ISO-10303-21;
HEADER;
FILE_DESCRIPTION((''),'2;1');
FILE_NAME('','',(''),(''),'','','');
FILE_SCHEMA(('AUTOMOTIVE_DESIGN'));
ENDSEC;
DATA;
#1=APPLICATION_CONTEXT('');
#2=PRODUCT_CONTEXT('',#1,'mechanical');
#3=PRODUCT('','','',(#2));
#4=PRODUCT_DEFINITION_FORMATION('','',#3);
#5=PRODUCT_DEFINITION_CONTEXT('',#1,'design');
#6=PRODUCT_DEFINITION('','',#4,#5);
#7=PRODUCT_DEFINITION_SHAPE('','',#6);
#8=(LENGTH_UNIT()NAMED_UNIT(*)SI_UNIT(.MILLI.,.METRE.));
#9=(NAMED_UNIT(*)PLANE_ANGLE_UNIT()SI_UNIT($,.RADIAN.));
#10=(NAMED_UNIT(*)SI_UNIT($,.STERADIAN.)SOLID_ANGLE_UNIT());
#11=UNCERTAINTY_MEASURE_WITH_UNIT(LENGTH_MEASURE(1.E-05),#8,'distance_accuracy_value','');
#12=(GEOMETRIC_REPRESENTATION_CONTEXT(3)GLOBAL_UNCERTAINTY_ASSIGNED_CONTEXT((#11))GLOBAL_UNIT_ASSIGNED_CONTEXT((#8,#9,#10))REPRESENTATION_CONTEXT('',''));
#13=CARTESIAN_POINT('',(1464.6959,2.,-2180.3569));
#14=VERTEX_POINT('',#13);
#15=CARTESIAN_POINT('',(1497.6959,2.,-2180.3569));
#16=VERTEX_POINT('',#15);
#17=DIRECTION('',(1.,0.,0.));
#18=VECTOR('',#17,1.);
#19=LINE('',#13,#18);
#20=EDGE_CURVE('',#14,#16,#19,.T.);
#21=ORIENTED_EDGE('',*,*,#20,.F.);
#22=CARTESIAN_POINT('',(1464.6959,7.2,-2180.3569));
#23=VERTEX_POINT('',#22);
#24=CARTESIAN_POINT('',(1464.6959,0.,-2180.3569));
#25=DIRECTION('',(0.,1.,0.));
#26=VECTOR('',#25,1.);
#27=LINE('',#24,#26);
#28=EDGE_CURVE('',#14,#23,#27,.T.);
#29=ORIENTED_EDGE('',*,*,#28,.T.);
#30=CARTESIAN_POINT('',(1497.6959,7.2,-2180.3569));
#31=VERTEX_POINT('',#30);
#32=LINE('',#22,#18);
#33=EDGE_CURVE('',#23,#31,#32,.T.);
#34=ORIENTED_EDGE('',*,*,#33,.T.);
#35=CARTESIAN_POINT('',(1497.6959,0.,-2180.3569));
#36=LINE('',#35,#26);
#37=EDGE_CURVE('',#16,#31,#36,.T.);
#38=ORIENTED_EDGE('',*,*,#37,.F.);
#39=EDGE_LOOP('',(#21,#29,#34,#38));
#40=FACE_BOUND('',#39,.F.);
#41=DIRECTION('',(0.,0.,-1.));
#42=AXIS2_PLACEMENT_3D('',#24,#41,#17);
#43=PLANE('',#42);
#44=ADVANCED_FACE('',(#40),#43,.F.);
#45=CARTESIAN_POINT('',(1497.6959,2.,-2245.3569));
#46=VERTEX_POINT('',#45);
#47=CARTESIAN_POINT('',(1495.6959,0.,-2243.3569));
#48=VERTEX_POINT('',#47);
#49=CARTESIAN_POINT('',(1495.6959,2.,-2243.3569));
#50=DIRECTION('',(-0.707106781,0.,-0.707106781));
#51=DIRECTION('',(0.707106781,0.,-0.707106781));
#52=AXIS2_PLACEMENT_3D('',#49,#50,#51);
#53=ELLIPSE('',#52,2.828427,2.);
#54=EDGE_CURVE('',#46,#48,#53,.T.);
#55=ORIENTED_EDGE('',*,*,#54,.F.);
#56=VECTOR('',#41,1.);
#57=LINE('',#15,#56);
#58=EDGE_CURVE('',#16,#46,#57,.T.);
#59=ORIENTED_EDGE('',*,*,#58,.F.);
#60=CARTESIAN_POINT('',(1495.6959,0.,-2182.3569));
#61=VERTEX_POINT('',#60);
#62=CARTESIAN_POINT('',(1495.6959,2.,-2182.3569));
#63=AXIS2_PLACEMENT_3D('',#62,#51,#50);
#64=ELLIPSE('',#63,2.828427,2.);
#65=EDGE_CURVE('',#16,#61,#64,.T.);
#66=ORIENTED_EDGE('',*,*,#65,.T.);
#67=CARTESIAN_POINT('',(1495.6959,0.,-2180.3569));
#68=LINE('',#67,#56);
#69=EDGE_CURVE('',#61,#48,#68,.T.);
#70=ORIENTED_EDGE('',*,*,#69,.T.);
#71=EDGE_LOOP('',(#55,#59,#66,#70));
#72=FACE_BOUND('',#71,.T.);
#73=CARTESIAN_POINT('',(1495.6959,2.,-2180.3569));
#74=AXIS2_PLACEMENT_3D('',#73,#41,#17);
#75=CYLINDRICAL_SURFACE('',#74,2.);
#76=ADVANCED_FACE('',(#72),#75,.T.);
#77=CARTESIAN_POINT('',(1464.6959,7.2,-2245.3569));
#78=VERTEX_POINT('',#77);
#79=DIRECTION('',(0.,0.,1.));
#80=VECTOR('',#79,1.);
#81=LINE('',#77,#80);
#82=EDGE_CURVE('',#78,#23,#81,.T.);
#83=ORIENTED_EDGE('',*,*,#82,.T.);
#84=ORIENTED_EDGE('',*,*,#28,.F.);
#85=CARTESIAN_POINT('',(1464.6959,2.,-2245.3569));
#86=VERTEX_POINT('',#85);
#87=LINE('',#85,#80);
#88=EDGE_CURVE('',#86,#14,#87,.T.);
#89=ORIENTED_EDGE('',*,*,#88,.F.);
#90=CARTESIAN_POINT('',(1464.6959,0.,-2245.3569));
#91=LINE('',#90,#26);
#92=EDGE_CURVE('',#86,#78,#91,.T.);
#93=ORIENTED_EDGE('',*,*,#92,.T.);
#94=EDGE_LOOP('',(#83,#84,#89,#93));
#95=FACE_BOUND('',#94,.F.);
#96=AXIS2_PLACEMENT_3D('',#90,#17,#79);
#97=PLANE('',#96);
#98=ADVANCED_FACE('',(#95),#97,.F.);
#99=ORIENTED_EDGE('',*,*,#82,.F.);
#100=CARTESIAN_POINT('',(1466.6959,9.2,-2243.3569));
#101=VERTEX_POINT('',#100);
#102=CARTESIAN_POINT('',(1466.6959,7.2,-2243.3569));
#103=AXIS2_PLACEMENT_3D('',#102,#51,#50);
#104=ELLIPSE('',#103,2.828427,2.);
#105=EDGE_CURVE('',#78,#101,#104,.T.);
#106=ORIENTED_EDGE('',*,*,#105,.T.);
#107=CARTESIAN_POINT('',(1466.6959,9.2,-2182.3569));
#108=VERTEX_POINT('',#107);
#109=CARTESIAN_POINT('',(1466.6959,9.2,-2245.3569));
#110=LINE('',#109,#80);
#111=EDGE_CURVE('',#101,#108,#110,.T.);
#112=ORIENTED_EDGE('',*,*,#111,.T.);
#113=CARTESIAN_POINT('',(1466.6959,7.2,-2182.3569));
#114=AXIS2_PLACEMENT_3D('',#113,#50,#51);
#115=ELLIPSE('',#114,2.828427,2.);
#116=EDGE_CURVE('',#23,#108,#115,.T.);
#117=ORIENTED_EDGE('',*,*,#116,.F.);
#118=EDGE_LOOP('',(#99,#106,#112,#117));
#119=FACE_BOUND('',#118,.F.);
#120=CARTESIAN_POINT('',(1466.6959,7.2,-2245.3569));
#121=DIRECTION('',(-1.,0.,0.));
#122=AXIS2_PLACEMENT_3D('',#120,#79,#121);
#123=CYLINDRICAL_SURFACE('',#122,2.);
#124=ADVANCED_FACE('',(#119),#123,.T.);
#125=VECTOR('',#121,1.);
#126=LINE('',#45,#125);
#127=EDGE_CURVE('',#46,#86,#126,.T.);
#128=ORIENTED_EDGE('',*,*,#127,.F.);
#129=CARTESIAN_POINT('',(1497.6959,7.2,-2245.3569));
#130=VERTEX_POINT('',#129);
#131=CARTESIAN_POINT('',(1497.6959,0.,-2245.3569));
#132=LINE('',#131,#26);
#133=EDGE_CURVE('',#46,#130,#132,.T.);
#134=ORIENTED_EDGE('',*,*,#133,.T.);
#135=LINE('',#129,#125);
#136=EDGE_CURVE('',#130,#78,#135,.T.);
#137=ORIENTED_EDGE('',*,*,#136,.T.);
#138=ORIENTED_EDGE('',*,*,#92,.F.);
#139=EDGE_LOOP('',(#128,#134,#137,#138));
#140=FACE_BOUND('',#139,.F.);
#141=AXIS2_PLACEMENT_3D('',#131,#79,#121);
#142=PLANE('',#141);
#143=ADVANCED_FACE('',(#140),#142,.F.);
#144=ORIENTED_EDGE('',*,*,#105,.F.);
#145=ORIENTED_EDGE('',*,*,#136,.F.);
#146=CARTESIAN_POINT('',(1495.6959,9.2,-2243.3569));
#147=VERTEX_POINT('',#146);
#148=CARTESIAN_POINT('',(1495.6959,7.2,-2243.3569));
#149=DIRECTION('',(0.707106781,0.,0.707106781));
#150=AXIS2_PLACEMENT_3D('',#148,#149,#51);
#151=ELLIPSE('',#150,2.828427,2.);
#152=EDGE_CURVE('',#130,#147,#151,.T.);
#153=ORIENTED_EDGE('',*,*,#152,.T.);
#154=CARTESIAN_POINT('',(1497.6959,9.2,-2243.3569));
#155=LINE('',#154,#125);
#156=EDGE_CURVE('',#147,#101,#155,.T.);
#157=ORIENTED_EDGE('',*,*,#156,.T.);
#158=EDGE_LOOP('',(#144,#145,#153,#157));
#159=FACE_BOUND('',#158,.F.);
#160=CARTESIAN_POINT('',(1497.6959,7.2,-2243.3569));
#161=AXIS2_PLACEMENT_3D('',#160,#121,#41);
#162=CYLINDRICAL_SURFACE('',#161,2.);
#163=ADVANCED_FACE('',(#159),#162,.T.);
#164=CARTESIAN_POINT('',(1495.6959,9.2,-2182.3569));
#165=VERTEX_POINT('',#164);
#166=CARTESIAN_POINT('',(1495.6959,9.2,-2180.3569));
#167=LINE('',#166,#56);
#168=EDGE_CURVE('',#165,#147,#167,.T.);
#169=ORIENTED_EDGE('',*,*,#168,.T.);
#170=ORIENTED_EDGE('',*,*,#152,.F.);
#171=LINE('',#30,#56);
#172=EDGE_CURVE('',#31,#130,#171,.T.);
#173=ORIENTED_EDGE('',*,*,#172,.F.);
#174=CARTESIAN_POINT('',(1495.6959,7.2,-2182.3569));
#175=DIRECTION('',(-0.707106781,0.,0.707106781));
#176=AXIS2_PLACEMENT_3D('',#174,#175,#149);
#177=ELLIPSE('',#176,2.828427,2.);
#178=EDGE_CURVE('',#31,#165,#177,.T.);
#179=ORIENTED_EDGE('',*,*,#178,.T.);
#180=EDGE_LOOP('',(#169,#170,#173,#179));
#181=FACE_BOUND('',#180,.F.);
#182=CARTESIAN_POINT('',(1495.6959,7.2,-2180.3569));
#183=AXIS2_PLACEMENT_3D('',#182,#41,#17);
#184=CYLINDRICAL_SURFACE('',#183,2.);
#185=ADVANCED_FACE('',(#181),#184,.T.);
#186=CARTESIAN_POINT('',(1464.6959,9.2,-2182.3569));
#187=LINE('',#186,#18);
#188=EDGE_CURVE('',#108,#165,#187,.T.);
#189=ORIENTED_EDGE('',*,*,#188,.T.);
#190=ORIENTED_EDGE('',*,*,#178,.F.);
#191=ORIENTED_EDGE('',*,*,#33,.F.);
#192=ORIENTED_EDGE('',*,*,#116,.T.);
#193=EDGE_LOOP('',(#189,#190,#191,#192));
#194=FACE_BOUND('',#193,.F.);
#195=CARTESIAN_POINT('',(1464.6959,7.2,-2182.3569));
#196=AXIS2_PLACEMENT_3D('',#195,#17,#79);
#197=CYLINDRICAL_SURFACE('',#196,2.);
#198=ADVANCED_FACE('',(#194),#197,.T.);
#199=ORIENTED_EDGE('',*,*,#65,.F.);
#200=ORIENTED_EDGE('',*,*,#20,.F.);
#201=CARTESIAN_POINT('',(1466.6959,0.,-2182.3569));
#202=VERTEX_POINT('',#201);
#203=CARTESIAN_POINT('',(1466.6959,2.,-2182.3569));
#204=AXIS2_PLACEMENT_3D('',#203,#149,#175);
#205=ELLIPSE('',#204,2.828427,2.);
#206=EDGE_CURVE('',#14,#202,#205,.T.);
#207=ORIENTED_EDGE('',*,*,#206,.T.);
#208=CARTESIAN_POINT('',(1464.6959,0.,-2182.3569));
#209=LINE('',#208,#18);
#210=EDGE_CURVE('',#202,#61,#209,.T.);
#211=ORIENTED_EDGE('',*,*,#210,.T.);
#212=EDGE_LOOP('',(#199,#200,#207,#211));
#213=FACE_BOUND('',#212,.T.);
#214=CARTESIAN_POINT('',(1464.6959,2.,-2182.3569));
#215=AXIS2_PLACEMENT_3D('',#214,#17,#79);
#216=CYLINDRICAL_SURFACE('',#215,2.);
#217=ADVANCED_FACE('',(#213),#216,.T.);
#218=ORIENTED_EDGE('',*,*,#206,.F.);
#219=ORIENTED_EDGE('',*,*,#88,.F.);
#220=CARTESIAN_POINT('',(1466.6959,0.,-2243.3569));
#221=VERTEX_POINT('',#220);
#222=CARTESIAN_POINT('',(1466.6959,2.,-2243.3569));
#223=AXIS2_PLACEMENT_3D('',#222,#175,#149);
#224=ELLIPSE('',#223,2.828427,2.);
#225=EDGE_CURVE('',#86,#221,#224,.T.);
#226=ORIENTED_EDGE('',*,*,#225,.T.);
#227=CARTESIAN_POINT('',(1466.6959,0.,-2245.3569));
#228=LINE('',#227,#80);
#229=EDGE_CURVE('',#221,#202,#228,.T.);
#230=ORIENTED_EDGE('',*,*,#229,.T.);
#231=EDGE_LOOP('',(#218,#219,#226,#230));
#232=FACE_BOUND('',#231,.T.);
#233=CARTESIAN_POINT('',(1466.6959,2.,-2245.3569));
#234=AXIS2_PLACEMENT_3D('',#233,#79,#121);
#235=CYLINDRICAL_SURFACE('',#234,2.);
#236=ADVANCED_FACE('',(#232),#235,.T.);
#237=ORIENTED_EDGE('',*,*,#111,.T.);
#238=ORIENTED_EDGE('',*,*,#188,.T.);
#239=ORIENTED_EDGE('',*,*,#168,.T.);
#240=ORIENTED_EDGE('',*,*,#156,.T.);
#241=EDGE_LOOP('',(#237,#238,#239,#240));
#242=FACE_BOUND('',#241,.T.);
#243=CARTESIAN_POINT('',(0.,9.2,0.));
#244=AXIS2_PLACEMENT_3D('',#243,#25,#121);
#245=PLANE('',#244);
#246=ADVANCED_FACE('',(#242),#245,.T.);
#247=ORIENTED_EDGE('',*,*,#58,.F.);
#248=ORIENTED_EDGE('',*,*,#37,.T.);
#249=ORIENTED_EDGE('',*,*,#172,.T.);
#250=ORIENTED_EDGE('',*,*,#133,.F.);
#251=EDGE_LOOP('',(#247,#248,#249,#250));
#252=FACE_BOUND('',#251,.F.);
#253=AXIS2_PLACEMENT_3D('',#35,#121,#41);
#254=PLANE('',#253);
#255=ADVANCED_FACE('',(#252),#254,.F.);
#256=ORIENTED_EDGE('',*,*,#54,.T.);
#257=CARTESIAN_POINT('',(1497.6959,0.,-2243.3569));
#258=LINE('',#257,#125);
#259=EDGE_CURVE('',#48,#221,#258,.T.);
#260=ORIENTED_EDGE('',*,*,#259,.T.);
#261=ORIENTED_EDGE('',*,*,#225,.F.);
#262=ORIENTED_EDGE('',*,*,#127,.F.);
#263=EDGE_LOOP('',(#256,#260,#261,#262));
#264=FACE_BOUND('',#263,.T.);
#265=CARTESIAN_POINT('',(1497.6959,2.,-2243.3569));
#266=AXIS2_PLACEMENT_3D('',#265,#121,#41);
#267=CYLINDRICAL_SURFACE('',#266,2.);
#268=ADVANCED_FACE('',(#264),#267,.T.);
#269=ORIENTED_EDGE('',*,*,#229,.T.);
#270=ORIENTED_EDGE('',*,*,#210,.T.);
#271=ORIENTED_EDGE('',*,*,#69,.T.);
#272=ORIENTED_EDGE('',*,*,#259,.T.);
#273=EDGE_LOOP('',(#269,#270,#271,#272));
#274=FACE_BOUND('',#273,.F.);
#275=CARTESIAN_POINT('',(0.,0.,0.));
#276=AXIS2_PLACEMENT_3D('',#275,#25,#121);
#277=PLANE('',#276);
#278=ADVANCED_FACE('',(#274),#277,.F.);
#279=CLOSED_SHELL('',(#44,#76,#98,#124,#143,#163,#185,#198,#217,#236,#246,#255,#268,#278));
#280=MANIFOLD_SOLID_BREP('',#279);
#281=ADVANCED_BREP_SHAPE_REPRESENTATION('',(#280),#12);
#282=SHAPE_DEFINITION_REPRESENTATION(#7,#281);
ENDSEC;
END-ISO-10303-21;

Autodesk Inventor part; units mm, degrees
ref_plane "YZ Plane" through (0, 0, 0) normal (1, 0, 0) x (0, 1, 0)
ref_plane "XZ Plane" through (0, 0, 0) normal (0, 1, 0) x (-1, 0, 0)
ref_plane "XY Plane" through (0, 0, 0) normal (0, 0, 1) x (1, 0, 0)
sketch "Sketch1" plane through (0, 0, 0) normal (0, 1, 0) x (-1, 0, 0)
  line L0 (-1464.6959, -2180.3569) -> (-1497.6959, -2180.3569)
  line L1 (-1497.6959, -2180.3569) -> (-1497.6959, -2245.3569)
  line L2 (-1497.6959, -2245.3569) -> (-1464.6959, -2245.3569)
  line L3 (-1464.6959, -2245.3569) -> (-1464.6959, -2180.3569)
  point P0 (0, 0)
  dimension "d0" = 33
  dimension "d1" = 65
extrude "Extrusion1" add sketch "Sketch1" along normal blind 9.2
fillet "Fillet1" radius 2 8 edges at (1481.1959, 9.2, -2180.3569) (1497.6959, 9.2, -2212.8569) (1497.6959, 0, -2212.8569) (1481.1959, 9.2, -2245.3569) (1464.6959, 9.2, -2212.8569) (1464.6959, 0, -2212.8569) (1481.1959, 0, -2245.3569) (1481.1959, 0, -2180.3569)
properties part number "Battery"
